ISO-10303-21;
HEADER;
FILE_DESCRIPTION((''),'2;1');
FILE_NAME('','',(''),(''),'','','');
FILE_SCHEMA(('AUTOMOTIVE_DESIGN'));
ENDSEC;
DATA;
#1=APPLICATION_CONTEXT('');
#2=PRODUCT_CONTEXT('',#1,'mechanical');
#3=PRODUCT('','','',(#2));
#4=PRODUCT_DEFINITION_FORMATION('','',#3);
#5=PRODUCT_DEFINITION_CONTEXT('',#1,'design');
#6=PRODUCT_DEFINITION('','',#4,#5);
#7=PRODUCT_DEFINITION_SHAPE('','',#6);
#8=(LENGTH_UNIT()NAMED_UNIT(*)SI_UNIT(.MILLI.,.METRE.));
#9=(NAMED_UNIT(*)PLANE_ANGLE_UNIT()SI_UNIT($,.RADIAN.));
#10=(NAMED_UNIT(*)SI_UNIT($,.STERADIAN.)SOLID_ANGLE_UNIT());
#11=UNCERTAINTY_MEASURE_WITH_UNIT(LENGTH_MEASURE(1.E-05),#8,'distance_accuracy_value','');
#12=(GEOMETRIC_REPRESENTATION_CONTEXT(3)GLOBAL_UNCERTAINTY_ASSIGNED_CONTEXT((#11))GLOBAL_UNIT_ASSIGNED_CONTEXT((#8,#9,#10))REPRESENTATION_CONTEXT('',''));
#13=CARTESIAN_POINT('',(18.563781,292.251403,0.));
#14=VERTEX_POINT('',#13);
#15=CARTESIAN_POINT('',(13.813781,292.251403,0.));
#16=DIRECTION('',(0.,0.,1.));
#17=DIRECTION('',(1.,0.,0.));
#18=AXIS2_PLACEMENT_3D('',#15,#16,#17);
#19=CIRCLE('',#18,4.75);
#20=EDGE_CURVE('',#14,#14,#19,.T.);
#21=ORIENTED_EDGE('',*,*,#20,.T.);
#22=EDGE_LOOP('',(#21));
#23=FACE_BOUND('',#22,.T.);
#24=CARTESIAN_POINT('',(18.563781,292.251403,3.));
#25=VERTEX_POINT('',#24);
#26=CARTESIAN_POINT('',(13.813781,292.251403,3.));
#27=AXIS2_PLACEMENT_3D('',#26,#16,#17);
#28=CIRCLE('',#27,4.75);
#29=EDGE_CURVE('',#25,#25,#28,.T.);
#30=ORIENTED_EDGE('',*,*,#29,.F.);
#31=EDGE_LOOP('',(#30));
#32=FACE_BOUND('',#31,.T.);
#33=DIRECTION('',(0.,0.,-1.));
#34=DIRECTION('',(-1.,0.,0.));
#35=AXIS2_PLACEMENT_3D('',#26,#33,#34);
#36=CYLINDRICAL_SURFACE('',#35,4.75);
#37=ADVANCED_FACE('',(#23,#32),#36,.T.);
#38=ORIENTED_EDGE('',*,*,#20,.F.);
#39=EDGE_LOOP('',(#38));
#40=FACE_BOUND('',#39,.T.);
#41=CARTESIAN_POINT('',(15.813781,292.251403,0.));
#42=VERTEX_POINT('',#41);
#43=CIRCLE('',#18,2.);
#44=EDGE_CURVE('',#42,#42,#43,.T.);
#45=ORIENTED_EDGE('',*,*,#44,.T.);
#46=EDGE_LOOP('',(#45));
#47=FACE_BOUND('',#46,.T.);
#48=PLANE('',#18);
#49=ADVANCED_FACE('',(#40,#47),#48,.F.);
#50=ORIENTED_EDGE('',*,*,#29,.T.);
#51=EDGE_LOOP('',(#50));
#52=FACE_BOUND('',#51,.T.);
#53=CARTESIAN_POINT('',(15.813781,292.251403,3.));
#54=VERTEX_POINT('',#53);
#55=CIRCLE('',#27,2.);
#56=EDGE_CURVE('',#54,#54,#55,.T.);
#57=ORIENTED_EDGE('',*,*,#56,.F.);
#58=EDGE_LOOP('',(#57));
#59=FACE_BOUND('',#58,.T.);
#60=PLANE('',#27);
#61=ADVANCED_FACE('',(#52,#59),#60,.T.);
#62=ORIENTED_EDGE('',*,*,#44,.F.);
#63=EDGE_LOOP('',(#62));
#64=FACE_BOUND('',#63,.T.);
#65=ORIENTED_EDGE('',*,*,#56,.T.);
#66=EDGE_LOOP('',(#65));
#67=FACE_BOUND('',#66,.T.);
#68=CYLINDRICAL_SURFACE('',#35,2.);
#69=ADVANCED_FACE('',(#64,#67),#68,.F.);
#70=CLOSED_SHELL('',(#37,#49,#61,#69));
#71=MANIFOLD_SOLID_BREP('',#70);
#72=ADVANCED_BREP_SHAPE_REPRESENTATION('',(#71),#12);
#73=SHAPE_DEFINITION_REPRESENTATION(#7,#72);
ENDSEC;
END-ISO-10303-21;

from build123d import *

# Parameters (mm, degrees)
MODEL_R                 = 4.75
MODEL_R_2               = 2
SALIENTE_EXTRUIR1_DEPTH = 3


with BuildPart() as part:
    # Model → Saliente-Extruir1 (new body)
    with BuildSketch(Plane.XY):
        with Locations((13.813781479, 292.251403298)):
            Circle(MODEL_R)
        with Locations((13.813781479, 292.251403298)):
            Circle(MODEL_R_2, mode=Mode.SUBTRACT)
    extrude(amount=SALIENTE_EXTRUIR1_DEPTH)


solid = part.part
